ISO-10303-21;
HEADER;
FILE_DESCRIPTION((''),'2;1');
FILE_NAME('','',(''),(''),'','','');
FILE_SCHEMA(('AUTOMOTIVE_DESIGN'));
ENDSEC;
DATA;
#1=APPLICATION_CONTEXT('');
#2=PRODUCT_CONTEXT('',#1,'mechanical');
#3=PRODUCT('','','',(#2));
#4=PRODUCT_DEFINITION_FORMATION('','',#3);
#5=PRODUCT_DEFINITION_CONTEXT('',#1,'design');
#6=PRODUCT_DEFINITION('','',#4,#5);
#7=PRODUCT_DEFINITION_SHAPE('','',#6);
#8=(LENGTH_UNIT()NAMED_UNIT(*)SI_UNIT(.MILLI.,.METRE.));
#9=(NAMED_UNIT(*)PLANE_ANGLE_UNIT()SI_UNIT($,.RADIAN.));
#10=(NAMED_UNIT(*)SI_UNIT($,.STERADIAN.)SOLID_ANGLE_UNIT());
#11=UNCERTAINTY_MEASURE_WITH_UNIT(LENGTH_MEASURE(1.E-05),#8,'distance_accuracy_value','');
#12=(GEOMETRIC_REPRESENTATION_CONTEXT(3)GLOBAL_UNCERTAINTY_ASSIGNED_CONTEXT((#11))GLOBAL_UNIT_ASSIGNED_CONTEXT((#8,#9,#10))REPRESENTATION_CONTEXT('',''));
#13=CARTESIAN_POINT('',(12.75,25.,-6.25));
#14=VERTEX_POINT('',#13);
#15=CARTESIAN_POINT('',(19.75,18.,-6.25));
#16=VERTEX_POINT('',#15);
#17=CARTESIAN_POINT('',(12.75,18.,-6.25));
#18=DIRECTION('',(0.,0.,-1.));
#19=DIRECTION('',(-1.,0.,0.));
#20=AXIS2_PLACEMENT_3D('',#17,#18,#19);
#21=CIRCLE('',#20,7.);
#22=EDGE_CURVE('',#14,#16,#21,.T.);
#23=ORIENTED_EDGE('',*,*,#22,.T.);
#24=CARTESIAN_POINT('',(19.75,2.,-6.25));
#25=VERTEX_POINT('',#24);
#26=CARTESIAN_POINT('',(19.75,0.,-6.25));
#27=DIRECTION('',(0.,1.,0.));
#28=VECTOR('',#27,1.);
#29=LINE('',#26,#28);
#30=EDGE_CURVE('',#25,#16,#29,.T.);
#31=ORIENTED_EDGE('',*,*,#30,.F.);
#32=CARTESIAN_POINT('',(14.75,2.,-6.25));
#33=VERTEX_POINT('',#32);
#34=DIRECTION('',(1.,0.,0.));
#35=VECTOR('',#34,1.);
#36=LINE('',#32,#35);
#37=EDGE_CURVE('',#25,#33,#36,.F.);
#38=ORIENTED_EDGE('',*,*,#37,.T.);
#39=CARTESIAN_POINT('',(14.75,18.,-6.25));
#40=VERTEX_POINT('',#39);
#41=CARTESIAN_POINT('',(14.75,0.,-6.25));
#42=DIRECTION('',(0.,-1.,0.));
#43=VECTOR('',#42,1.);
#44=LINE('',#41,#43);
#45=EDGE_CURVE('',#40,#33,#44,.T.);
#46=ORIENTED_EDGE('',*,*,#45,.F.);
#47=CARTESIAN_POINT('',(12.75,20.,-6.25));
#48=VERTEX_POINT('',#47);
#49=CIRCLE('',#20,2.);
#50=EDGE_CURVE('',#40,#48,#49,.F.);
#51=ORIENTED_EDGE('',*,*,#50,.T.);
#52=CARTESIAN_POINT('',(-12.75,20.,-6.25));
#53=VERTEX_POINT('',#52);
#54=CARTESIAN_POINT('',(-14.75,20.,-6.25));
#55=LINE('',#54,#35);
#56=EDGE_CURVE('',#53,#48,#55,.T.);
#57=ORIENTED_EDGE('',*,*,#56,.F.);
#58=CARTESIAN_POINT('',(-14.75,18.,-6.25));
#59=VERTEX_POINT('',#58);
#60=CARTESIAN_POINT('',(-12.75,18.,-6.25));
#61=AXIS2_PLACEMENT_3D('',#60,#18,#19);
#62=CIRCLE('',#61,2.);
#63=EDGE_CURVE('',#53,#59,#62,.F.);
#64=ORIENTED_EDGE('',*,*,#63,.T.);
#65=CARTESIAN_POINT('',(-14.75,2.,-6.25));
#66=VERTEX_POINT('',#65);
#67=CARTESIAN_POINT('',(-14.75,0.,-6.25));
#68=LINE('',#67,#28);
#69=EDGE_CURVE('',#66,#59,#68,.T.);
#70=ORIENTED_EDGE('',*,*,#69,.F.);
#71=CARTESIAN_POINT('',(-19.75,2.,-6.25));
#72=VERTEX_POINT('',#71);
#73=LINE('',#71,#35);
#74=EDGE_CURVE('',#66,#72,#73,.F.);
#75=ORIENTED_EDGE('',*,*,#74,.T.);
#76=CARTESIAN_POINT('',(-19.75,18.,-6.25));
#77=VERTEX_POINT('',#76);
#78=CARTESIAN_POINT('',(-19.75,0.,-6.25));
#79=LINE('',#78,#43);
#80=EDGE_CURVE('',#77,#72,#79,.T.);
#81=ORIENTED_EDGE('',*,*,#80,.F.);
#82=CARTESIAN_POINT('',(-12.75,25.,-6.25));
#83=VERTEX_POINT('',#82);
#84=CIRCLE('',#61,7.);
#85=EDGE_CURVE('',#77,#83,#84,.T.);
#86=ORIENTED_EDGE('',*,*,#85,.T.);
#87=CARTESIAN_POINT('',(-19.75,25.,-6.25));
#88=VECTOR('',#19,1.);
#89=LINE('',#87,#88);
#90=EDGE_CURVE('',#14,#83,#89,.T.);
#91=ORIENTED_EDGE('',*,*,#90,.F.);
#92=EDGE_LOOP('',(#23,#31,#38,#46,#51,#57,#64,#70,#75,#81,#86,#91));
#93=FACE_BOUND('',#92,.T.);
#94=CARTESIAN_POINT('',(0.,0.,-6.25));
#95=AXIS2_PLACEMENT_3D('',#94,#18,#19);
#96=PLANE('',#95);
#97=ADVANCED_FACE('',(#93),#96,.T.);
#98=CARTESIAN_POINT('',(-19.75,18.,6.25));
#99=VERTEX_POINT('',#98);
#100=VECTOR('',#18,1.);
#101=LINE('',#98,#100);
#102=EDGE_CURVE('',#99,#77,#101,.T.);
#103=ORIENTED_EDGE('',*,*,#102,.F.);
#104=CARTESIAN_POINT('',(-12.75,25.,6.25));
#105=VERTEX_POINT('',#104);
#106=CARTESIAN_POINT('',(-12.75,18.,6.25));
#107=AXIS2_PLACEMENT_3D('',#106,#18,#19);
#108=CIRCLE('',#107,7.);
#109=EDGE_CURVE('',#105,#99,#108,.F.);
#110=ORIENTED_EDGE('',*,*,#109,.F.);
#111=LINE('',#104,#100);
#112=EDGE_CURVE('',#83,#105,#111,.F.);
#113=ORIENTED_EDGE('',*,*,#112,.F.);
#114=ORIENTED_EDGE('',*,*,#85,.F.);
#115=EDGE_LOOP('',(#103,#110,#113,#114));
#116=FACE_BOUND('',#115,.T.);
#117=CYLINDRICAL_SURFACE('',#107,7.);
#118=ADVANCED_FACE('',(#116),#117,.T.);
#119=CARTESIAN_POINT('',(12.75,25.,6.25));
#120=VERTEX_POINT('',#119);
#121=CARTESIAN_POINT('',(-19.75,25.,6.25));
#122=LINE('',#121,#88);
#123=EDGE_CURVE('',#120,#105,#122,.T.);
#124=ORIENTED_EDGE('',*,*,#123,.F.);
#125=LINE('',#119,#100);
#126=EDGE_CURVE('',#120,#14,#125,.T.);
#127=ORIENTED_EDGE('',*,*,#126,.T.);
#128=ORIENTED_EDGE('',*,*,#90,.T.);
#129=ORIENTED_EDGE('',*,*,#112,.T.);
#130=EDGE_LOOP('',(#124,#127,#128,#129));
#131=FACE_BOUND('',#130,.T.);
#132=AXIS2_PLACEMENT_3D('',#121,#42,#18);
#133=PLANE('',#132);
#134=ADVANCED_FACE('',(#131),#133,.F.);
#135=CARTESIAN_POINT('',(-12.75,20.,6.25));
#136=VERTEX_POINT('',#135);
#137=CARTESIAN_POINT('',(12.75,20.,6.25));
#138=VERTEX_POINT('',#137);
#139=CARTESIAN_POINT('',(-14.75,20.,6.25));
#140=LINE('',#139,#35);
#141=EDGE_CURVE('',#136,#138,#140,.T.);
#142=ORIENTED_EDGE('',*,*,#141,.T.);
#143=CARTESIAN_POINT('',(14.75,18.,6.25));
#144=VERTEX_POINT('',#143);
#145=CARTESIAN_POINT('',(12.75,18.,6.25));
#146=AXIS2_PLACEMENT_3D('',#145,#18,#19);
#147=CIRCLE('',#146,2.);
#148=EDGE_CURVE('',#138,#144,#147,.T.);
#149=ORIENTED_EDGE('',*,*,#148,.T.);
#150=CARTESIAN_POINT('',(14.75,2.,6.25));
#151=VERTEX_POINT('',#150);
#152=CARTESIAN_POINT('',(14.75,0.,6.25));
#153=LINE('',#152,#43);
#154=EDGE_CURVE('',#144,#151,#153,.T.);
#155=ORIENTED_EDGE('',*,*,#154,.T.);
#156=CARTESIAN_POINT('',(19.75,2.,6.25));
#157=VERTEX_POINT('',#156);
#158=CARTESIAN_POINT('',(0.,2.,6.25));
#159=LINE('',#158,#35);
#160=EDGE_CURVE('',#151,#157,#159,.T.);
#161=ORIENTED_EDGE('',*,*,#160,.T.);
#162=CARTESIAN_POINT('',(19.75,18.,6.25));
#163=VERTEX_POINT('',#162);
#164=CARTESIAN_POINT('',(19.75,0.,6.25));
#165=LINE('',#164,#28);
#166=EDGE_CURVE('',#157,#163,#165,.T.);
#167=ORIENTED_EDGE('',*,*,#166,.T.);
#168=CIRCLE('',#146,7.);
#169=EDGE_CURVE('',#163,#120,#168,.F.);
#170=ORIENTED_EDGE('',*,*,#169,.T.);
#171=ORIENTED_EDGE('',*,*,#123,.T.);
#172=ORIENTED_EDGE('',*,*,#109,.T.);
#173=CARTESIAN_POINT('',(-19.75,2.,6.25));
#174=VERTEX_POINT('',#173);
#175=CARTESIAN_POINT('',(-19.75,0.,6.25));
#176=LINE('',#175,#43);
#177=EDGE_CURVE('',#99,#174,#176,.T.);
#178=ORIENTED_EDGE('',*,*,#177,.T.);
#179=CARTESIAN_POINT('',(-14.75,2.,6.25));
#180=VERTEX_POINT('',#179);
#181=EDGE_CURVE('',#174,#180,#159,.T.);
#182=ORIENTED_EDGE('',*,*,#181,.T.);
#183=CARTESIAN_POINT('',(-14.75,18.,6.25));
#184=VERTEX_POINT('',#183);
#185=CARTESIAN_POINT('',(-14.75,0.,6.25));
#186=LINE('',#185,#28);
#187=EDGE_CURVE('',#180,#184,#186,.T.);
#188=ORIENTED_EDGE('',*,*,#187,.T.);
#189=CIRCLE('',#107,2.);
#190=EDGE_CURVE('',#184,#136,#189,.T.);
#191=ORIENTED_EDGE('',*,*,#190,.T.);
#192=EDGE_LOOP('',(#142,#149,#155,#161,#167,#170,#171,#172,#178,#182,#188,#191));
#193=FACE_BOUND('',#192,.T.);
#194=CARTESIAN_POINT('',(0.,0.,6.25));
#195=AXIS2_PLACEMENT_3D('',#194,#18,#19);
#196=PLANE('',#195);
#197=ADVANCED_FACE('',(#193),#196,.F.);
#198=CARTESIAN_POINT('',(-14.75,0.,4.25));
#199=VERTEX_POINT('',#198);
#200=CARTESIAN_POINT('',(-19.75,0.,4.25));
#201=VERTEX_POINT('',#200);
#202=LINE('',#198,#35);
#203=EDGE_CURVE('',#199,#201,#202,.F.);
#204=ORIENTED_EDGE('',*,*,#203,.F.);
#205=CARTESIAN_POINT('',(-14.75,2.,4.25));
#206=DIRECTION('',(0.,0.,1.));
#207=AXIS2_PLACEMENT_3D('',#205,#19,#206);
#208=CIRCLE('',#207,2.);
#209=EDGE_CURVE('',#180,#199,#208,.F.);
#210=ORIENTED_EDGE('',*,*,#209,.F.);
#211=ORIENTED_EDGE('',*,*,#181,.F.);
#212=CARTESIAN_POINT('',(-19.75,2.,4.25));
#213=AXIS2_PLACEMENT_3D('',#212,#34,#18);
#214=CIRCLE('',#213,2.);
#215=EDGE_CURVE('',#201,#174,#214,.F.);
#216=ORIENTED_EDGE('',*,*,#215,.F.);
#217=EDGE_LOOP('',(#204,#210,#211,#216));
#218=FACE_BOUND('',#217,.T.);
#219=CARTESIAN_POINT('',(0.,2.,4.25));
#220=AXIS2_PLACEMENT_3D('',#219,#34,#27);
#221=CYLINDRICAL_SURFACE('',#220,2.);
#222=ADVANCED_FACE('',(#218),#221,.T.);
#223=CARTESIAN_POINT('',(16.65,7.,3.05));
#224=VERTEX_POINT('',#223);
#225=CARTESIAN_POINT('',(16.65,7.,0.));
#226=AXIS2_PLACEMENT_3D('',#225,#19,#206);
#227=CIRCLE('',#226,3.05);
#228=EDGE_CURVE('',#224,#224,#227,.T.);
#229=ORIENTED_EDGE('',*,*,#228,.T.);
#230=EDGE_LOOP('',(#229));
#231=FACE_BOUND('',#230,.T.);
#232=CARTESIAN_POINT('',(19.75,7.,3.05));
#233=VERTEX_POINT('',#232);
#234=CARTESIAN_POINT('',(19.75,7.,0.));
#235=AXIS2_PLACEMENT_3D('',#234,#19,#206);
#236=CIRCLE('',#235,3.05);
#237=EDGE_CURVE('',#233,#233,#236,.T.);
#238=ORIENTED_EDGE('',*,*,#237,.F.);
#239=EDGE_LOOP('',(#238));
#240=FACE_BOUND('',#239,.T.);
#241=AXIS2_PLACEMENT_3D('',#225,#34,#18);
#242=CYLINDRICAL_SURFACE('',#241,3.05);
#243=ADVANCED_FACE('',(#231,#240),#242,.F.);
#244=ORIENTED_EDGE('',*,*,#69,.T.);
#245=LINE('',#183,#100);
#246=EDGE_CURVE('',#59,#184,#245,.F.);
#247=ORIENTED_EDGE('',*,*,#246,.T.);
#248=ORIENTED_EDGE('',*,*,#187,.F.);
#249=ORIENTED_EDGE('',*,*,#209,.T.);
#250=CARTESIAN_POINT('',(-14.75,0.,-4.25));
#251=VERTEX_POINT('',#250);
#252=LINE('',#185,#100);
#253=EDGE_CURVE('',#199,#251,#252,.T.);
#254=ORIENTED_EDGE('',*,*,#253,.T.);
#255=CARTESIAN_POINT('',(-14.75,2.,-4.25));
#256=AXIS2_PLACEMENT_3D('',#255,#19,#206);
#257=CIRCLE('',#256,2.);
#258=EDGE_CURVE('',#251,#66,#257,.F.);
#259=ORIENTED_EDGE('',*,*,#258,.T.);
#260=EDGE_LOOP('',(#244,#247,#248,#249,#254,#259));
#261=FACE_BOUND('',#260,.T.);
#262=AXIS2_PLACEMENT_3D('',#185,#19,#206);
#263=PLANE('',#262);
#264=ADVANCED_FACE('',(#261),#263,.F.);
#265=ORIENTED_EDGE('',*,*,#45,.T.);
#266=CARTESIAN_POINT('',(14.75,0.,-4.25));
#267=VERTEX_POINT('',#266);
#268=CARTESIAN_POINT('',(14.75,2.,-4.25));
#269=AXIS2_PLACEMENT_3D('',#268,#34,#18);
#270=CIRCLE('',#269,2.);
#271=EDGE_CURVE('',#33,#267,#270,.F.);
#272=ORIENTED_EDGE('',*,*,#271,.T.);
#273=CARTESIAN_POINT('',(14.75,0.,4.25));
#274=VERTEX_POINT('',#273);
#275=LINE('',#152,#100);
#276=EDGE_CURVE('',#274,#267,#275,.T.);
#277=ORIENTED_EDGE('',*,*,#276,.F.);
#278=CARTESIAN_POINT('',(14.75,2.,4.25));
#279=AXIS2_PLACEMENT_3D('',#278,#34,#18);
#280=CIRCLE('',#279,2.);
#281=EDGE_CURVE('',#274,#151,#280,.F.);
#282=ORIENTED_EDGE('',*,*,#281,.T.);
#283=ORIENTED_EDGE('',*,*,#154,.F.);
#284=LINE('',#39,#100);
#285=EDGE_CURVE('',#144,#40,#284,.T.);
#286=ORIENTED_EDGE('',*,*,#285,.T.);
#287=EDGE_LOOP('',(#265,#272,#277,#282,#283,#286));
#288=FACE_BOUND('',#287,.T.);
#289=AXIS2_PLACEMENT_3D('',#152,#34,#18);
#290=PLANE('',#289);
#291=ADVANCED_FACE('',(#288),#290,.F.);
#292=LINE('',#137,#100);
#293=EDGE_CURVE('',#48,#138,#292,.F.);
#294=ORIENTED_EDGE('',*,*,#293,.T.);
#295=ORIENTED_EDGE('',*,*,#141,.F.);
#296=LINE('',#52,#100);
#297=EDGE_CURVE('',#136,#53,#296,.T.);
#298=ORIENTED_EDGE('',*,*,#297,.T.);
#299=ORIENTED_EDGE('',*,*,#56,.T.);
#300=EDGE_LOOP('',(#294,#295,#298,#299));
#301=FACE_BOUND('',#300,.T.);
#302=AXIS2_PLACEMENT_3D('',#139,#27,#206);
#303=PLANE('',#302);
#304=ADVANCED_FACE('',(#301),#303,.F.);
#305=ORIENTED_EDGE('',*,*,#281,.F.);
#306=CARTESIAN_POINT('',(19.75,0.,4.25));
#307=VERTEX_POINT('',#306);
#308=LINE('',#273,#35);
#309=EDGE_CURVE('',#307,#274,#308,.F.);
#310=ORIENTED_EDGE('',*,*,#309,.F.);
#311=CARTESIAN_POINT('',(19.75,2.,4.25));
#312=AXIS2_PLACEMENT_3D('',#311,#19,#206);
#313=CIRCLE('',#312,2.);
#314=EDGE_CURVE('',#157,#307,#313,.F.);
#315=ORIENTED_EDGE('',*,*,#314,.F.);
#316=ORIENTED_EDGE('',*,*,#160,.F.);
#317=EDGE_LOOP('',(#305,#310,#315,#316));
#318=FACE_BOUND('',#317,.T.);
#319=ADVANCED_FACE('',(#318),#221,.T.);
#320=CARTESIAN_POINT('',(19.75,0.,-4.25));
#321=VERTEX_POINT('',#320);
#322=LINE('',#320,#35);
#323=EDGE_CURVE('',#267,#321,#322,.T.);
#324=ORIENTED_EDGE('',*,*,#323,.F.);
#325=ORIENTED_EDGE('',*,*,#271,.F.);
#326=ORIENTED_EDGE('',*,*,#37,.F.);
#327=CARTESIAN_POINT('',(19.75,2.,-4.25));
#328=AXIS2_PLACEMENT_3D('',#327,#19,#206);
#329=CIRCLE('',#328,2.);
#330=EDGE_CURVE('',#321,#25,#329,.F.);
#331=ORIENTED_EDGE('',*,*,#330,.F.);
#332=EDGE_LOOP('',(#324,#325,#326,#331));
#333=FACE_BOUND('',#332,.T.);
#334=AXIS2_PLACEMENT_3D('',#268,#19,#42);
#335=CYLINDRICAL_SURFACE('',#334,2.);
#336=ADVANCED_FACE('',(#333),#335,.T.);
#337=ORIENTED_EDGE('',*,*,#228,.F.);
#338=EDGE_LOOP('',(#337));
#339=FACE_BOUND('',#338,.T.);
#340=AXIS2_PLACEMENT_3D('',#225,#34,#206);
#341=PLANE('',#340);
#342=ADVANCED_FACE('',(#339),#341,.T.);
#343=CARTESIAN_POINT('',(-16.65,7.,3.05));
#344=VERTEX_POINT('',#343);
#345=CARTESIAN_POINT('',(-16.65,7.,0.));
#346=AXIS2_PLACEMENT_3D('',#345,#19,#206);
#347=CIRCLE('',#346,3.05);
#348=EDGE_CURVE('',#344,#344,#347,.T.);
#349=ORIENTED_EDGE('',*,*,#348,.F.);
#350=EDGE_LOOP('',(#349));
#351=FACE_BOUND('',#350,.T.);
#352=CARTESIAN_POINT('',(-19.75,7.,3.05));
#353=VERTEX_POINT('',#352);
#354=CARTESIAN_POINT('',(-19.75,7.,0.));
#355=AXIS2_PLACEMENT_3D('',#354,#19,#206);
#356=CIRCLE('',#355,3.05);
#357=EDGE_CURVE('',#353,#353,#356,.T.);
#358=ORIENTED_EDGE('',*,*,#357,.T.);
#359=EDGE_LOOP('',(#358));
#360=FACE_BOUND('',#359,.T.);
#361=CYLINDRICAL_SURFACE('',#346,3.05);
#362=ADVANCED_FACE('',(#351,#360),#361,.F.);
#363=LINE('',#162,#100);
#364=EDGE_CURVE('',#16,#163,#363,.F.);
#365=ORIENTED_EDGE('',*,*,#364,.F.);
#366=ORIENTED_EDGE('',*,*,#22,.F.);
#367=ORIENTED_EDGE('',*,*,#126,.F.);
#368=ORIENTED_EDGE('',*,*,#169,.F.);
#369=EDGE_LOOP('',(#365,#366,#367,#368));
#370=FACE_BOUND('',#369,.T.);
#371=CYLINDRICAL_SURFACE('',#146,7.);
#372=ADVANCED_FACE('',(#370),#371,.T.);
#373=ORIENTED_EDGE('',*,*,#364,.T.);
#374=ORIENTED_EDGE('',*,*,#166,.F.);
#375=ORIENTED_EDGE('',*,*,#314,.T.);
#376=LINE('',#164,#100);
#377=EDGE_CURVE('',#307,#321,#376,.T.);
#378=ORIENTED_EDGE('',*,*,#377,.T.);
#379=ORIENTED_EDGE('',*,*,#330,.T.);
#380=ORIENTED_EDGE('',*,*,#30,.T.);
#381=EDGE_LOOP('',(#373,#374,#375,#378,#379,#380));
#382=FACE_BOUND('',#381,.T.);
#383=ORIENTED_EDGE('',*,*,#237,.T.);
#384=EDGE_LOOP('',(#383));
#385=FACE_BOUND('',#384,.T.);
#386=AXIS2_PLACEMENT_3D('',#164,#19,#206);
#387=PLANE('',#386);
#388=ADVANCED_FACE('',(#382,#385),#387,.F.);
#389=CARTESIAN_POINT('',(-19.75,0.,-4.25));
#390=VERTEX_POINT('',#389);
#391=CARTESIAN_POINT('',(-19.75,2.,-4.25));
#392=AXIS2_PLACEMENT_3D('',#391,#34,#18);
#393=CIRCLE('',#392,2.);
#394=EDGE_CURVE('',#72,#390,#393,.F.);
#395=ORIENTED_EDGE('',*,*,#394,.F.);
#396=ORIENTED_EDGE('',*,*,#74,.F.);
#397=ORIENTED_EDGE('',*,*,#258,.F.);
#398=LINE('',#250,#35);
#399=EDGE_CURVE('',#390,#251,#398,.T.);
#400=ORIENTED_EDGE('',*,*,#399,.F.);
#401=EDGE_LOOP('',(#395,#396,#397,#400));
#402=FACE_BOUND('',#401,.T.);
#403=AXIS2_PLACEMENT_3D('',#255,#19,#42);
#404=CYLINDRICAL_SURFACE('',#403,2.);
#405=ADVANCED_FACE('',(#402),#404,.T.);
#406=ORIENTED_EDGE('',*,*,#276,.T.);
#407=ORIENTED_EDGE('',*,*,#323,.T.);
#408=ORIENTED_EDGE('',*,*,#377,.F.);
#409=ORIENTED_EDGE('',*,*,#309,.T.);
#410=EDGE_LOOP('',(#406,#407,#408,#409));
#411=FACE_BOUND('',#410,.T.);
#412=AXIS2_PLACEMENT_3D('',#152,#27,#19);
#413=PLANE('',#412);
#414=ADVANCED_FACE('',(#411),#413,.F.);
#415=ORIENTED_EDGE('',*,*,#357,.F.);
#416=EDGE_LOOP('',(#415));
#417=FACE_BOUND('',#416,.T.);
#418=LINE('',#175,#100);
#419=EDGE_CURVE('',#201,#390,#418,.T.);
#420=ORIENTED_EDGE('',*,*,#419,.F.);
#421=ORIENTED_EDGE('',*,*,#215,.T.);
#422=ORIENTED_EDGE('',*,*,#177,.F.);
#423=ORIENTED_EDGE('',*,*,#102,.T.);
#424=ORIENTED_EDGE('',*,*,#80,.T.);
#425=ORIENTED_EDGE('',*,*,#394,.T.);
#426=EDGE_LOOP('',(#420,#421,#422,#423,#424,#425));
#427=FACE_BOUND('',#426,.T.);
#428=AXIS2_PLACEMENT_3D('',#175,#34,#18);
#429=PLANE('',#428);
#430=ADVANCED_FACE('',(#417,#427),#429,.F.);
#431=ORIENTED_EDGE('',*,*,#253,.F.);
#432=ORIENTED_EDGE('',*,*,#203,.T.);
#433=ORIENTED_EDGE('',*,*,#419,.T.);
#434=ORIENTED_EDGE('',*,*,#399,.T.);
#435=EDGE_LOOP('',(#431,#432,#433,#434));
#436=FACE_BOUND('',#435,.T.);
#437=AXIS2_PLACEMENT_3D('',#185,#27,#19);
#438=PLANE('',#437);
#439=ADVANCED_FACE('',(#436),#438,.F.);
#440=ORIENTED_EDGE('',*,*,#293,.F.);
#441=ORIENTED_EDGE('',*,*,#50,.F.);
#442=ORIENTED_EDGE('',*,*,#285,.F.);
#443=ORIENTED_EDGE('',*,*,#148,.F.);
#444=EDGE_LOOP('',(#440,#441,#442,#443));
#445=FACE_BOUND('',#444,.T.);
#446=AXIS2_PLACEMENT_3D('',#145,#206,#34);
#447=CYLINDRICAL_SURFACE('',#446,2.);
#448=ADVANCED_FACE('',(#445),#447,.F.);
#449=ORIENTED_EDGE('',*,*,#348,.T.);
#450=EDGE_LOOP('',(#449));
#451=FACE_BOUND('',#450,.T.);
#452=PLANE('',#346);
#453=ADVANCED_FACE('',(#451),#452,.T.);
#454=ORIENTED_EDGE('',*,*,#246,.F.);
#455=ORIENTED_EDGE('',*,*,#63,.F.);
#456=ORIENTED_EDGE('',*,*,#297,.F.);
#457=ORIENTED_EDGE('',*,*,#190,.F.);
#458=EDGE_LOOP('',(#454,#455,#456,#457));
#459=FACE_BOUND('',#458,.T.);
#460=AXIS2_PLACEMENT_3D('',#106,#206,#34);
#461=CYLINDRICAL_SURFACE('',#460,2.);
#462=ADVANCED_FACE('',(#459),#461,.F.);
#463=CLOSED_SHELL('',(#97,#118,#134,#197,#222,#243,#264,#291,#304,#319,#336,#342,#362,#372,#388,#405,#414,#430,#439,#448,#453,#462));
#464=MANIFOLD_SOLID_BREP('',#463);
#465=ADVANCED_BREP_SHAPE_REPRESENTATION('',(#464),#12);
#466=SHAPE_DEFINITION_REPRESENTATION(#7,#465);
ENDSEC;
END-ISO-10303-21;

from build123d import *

# Parameters (mm, degrees)
BOSS_EXTRUDE1_DEPTH = 6.25
SKETCH2_R           = 3.05
CUT_EXTRUDE1_DEPTH  = 3.1
FILLET1_R           = 2
FILLET2_R           = 7
FILLET3_R           = 2


with BuildPart() as part:
    # Sketch1 → Boss-Extrude1 (new body, symmetric)
    with BuildSketch(Plane.XY):
        Polygon((-14.75, 0), (-19.75, 0), (-19.75, 25), (19.75, 25), (19.75, 0), (14.75, 0), (14.75, 20), (-14.75, 20), align=None)
    extrude(amount=BOSS_EXTRUDE1_DEPTH, both=True)

    # Sketch2 → Cut-Extrude1 (cut)
    with BuildSketch(Plane.ZY.offset(19.75)):
        with Locations((0, 7)):
            Circle(SKETCH2_R)
    cut_extrude1 = extrude(amount=-CUT_EXTRUDE1_DEPTH, mode=Mode.SUBTRACT)

    # Mirror1: Cut-Extrude1 across plane
    add(cut_extrude1.mirror(Plane(origin=(0, 0, 0), x_dir=(0, 0, 1), z_dir=(1, 0, 0))), mode=Mode.SUBTRACT)

    # Fillet1
    fillet1_edges = [part.edges().sort_by_distance(p)[0] for p in [
        (14.75, 20, 0),
        (-14.75, 20, 0),
    ]]
    fillet(fillet1_edges, radius=FILLET1_R)

    # Fillet2
    fillet2_edges = [part.edges().sort_by_distance(p)[0] for p in [
        (-19.75, 25, 0),
        (19.75, 25, 0),
    ]]
    fillet(fillet2_edges, radius=FILLET2_R)

    # Fillet3
    fillet3_edges = [part.edges().sort_by_distance(p)[0] for p in [
        (17.25, 0, -6.25),
        (17.25, 0, 6.25),
        (-17.25, 0, 6.25),
        (-17.25, 0, -6.25),
    ]]
    fillet(fillet3_edges, radius=FILLET3_R)


solid = part.part
